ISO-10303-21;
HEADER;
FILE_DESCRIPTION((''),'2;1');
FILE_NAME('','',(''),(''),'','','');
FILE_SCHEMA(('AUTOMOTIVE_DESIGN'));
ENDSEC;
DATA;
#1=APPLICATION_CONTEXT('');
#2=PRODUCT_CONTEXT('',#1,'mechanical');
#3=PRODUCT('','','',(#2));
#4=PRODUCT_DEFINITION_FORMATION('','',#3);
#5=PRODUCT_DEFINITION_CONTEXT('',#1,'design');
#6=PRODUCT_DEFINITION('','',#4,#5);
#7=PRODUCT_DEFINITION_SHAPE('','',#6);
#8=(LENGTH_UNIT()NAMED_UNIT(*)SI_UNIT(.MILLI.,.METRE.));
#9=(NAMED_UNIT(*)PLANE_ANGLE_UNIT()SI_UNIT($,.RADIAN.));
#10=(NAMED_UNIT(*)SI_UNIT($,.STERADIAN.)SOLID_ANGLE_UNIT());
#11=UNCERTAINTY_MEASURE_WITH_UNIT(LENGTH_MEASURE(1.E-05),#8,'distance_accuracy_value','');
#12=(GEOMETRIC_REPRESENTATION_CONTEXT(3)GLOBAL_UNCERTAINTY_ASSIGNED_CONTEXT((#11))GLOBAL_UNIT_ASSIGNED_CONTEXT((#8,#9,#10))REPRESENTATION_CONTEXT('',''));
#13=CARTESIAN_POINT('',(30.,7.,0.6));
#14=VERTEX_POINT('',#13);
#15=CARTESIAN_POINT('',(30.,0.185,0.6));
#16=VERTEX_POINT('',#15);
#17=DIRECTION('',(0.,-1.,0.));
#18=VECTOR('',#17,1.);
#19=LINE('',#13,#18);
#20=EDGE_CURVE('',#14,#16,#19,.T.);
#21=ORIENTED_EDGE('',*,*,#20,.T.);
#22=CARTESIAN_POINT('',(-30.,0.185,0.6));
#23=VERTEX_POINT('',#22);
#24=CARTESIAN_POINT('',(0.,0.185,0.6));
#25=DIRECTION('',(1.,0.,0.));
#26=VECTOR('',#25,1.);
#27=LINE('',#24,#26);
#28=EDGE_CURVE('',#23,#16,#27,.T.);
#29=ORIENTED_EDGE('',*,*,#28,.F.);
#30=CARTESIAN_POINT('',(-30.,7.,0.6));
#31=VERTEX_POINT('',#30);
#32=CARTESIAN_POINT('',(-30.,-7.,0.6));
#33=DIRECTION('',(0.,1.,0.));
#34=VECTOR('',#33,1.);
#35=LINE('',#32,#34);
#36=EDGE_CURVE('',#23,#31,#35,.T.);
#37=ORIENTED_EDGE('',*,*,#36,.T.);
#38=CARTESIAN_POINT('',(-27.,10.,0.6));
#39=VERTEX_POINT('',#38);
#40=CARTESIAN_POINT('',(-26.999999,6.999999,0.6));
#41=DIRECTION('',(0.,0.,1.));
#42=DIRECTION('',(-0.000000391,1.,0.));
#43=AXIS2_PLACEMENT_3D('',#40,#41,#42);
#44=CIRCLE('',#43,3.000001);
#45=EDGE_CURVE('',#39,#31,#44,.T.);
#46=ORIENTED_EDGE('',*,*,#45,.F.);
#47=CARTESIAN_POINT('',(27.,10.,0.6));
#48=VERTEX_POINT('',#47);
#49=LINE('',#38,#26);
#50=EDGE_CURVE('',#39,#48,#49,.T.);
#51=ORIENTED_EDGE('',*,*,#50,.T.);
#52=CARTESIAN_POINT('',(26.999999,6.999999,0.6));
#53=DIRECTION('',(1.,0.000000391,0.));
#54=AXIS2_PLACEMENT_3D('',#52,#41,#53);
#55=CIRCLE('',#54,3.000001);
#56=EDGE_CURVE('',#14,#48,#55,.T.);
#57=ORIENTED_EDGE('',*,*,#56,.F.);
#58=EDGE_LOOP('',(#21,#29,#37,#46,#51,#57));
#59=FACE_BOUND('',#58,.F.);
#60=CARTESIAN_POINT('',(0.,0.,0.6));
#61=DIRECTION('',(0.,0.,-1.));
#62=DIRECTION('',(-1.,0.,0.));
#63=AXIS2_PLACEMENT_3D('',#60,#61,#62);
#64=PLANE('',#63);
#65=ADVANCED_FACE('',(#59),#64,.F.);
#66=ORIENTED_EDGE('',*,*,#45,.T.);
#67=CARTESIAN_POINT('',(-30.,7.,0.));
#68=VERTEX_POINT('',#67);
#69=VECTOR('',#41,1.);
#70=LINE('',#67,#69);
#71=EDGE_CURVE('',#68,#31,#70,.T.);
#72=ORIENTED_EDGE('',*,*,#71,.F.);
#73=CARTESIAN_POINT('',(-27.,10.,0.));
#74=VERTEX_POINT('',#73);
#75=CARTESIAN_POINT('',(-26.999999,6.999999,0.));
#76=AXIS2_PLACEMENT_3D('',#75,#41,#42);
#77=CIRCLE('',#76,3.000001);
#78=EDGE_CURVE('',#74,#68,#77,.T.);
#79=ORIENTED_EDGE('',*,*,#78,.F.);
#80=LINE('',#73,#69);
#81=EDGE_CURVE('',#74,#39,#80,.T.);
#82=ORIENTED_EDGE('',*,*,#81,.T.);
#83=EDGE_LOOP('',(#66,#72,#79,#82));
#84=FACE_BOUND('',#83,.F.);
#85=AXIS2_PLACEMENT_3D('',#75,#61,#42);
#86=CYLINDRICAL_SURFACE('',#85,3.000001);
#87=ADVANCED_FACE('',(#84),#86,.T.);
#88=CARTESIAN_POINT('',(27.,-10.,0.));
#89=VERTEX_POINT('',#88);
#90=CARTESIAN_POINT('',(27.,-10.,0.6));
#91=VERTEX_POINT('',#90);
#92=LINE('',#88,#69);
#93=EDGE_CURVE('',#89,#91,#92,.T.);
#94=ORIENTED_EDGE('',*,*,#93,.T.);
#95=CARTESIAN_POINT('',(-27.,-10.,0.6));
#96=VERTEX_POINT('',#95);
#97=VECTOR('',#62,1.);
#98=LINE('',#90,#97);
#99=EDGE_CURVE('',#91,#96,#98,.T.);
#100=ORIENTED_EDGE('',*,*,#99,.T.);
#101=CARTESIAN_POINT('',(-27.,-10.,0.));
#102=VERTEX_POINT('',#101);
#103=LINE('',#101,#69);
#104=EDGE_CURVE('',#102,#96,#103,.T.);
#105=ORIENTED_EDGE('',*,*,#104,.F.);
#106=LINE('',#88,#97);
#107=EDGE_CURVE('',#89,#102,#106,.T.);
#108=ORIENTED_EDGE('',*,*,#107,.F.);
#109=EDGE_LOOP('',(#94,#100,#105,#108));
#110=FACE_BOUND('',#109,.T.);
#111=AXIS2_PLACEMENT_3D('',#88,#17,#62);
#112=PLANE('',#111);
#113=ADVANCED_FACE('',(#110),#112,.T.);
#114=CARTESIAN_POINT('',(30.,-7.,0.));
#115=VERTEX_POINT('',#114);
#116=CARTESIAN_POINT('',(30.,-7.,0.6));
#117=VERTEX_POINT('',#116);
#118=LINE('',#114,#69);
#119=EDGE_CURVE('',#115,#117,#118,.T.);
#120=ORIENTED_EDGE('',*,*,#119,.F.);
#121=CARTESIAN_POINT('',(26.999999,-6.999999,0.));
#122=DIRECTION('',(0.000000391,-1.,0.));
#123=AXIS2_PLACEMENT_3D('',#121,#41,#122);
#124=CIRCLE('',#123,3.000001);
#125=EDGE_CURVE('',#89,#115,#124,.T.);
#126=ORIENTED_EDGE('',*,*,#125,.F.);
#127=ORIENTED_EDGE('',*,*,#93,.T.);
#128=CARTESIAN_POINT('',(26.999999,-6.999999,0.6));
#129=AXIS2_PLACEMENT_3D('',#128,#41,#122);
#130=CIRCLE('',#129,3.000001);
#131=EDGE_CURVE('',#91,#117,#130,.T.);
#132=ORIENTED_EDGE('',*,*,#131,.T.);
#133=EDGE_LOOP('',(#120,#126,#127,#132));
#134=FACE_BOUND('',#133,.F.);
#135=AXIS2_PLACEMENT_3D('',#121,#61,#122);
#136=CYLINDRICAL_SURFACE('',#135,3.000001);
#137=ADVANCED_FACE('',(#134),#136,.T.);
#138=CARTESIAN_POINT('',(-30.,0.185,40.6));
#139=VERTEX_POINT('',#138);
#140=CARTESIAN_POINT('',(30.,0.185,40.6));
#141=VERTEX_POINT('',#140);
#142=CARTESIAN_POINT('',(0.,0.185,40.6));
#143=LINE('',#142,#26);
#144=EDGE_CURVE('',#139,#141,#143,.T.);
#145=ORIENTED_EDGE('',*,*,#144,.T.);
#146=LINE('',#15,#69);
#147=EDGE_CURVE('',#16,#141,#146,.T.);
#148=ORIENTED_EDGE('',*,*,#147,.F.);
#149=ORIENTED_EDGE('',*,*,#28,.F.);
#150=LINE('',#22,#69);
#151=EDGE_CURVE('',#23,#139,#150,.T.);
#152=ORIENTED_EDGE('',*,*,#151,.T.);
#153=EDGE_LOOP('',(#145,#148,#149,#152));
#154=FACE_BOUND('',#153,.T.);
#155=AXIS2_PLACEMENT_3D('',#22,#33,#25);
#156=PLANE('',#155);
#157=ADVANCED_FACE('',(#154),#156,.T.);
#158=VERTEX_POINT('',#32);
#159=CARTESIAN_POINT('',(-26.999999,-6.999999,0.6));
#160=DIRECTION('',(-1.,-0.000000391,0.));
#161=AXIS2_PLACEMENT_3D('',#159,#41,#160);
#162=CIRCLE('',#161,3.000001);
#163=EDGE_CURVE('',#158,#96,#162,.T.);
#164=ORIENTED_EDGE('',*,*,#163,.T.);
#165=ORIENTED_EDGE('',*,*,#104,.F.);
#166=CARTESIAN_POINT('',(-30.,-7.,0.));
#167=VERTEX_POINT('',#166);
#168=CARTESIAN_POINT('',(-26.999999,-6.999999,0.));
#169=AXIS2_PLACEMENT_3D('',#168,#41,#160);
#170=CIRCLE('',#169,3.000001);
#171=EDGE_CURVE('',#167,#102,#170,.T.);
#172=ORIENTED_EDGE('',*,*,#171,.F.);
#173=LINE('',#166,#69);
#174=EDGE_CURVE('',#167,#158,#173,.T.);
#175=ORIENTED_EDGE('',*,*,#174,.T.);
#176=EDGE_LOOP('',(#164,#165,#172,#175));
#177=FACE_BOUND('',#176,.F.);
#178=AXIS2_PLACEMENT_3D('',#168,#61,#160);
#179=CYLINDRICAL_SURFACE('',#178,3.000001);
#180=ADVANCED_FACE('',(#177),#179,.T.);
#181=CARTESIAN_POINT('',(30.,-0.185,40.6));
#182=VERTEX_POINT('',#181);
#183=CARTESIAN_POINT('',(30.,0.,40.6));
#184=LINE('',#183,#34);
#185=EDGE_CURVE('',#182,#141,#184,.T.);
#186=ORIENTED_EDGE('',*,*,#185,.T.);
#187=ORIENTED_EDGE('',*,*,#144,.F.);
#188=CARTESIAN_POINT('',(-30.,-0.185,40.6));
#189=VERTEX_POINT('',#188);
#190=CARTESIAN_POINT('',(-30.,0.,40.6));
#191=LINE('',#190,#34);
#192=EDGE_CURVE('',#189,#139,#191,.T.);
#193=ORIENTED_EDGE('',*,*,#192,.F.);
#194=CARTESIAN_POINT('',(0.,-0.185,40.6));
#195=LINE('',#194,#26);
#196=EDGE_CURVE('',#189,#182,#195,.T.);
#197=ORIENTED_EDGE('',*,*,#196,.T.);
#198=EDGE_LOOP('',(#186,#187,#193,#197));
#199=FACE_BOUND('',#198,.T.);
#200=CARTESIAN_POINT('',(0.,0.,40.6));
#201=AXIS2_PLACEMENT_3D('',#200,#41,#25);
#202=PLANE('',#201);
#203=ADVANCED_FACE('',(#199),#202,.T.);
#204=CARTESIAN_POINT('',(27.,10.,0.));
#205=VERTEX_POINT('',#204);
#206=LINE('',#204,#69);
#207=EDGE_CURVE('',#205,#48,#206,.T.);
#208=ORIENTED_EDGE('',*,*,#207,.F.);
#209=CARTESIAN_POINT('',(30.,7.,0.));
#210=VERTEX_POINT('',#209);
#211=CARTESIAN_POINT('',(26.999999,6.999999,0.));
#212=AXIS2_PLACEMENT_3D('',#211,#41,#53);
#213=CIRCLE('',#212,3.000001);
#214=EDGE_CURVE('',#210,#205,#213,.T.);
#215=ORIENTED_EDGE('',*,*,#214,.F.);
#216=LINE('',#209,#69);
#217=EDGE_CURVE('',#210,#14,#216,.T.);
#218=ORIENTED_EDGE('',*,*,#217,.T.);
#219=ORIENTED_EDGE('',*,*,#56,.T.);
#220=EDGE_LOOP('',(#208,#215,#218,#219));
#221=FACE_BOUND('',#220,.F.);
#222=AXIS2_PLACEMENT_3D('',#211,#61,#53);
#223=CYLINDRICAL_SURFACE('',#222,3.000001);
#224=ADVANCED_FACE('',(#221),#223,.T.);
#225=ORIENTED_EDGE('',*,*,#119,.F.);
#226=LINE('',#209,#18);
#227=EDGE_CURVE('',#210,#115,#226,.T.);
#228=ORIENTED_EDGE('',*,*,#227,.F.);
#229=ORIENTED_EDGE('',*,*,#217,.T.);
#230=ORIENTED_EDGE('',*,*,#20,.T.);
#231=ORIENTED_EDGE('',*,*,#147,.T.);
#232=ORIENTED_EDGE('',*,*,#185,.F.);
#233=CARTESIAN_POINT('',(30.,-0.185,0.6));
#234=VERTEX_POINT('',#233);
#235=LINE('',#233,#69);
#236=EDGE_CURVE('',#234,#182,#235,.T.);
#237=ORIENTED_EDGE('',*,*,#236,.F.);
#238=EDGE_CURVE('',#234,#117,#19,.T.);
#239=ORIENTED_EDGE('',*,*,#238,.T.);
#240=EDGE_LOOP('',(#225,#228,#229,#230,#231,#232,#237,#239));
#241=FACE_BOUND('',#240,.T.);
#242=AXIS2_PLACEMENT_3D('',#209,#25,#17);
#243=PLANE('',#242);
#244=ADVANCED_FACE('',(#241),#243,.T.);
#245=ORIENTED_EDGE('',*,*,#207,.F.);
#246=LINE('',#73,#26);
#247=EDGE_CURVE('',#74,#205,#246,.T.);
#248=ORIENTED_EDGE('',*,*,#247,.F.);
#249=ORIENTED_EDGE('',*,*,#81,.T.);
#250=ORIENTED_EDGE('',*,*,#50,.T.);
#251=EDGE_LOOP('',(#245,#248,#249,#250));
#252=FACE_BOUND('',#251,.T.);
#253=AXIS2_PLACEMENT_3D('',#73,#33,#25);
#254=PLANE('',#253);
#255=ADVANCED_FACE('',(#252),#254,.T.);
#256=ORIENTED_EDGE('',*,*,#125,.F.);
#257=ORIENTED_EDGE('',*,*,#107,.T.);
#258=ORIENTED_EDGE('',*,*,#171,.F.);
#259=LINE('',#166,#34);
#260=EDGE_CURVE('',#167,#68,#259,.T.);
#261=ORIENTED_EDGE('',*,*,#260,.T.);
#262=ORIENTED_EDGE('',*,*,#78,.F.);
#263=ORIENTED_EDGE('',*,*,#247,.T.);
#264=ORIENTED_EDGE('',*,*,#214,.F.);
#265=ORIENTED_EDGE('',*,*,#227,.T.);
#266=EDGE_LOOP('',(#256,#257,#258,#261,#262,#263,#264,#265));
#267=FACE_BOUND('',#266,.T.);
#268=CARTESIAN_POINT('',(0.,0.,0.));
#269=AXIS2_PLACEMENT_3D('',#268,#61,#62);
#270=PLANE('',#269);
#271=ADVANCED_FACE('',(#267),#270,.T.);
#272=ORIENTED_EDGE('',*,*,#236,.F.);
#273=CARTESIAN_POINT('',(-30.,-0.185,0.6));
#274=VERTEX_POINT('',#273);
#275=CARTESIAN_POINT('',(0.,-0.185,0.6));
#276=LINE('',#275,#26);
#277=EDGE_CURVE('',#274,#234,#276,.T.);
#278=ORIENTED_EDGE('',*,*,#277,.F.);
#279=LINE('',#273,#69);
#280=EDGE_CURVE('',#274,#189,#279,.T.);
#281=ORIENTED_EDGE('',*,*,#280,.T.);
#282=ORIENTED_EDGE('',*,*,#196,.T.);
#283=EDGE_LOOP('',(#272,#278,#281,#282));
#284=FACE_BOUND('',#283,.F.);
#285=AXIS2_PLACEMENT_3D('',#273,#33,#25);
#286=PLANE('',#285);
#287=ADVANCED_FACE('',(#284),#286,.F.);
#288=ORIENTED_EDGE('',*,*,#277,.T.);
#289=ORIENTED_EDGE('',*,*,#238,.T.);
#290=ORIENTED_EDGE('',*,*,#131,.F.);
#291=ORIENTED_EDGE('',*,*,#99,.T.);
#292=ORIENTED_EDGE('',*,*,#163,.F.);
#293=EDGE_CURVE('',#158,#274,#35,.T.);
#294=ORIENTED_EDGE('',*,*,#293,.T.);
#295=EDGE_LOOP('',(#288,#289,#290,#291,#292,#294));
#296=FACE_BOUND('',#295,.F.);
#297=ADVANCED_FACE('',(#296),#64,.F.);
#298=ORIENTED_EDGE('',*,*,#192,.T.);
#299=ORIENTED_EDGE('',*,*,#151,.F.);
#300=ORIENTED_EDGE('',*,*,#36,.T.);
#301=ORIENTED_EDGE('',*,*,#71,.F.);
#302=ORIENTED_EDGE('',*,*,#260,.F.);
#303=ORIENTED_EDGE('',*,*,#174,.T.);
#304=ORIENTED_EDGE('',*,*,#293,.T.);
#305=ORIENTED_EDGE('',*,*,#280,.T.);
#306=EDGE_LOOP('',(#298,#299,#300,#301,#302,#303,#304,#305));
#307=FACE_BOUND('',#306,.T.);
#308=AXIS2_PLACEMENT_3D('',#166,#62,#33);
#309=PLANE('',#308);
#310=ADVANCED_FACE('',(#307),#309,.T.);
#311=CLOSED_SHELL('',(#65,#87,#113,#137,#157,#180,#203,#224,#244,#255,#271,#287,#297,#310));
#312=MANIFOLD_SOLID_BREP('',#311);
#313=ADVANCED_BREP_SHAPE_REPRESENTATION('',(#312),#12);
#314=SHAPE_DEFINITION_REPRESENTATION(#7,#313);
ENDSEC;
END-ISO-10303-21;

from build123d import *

# Parameters (mm, degrees)
PAD_DEPTH    = 0.6
SKETCH001_W  = 60
SKETCH001_H  = 0.37
PAD001_DEPTH = 40


with BuildPart() as part:
    # Sketch → Pad (new body)
    with BuildSketch(Plane.XY):
        with BuildLine():
            Line((-27, 10), (27, 10))
            ThreePointArc((30, 7), (29.12132, 9.12132), (27, 10))
            Line((30, 7), (30, -7))
            ThreePointArc((27, -10), (29.12132, -9.12132), (30, -7))
            Line((27, -10), (-27, -10))
            ThreePointArc((-30, -7), (-29.12132, -9.12132), (-27, -10))
            Line((-30, -7), (-30, 7))
            ThreePointArc((-27, 10), (-29.12132, 9.12132), (-30, 7))
        make_face()
    extrude(amount=PAD_DEPTH)

    # Sketch001 → Pad001 (join)
    with BuildSketch(Plane.XY.offset(0.6)):
        Rectangle(SKETCH001_W, SKETCH001_H)
    extrude(amount=PAD001_DEPTH)


solid = part.part
